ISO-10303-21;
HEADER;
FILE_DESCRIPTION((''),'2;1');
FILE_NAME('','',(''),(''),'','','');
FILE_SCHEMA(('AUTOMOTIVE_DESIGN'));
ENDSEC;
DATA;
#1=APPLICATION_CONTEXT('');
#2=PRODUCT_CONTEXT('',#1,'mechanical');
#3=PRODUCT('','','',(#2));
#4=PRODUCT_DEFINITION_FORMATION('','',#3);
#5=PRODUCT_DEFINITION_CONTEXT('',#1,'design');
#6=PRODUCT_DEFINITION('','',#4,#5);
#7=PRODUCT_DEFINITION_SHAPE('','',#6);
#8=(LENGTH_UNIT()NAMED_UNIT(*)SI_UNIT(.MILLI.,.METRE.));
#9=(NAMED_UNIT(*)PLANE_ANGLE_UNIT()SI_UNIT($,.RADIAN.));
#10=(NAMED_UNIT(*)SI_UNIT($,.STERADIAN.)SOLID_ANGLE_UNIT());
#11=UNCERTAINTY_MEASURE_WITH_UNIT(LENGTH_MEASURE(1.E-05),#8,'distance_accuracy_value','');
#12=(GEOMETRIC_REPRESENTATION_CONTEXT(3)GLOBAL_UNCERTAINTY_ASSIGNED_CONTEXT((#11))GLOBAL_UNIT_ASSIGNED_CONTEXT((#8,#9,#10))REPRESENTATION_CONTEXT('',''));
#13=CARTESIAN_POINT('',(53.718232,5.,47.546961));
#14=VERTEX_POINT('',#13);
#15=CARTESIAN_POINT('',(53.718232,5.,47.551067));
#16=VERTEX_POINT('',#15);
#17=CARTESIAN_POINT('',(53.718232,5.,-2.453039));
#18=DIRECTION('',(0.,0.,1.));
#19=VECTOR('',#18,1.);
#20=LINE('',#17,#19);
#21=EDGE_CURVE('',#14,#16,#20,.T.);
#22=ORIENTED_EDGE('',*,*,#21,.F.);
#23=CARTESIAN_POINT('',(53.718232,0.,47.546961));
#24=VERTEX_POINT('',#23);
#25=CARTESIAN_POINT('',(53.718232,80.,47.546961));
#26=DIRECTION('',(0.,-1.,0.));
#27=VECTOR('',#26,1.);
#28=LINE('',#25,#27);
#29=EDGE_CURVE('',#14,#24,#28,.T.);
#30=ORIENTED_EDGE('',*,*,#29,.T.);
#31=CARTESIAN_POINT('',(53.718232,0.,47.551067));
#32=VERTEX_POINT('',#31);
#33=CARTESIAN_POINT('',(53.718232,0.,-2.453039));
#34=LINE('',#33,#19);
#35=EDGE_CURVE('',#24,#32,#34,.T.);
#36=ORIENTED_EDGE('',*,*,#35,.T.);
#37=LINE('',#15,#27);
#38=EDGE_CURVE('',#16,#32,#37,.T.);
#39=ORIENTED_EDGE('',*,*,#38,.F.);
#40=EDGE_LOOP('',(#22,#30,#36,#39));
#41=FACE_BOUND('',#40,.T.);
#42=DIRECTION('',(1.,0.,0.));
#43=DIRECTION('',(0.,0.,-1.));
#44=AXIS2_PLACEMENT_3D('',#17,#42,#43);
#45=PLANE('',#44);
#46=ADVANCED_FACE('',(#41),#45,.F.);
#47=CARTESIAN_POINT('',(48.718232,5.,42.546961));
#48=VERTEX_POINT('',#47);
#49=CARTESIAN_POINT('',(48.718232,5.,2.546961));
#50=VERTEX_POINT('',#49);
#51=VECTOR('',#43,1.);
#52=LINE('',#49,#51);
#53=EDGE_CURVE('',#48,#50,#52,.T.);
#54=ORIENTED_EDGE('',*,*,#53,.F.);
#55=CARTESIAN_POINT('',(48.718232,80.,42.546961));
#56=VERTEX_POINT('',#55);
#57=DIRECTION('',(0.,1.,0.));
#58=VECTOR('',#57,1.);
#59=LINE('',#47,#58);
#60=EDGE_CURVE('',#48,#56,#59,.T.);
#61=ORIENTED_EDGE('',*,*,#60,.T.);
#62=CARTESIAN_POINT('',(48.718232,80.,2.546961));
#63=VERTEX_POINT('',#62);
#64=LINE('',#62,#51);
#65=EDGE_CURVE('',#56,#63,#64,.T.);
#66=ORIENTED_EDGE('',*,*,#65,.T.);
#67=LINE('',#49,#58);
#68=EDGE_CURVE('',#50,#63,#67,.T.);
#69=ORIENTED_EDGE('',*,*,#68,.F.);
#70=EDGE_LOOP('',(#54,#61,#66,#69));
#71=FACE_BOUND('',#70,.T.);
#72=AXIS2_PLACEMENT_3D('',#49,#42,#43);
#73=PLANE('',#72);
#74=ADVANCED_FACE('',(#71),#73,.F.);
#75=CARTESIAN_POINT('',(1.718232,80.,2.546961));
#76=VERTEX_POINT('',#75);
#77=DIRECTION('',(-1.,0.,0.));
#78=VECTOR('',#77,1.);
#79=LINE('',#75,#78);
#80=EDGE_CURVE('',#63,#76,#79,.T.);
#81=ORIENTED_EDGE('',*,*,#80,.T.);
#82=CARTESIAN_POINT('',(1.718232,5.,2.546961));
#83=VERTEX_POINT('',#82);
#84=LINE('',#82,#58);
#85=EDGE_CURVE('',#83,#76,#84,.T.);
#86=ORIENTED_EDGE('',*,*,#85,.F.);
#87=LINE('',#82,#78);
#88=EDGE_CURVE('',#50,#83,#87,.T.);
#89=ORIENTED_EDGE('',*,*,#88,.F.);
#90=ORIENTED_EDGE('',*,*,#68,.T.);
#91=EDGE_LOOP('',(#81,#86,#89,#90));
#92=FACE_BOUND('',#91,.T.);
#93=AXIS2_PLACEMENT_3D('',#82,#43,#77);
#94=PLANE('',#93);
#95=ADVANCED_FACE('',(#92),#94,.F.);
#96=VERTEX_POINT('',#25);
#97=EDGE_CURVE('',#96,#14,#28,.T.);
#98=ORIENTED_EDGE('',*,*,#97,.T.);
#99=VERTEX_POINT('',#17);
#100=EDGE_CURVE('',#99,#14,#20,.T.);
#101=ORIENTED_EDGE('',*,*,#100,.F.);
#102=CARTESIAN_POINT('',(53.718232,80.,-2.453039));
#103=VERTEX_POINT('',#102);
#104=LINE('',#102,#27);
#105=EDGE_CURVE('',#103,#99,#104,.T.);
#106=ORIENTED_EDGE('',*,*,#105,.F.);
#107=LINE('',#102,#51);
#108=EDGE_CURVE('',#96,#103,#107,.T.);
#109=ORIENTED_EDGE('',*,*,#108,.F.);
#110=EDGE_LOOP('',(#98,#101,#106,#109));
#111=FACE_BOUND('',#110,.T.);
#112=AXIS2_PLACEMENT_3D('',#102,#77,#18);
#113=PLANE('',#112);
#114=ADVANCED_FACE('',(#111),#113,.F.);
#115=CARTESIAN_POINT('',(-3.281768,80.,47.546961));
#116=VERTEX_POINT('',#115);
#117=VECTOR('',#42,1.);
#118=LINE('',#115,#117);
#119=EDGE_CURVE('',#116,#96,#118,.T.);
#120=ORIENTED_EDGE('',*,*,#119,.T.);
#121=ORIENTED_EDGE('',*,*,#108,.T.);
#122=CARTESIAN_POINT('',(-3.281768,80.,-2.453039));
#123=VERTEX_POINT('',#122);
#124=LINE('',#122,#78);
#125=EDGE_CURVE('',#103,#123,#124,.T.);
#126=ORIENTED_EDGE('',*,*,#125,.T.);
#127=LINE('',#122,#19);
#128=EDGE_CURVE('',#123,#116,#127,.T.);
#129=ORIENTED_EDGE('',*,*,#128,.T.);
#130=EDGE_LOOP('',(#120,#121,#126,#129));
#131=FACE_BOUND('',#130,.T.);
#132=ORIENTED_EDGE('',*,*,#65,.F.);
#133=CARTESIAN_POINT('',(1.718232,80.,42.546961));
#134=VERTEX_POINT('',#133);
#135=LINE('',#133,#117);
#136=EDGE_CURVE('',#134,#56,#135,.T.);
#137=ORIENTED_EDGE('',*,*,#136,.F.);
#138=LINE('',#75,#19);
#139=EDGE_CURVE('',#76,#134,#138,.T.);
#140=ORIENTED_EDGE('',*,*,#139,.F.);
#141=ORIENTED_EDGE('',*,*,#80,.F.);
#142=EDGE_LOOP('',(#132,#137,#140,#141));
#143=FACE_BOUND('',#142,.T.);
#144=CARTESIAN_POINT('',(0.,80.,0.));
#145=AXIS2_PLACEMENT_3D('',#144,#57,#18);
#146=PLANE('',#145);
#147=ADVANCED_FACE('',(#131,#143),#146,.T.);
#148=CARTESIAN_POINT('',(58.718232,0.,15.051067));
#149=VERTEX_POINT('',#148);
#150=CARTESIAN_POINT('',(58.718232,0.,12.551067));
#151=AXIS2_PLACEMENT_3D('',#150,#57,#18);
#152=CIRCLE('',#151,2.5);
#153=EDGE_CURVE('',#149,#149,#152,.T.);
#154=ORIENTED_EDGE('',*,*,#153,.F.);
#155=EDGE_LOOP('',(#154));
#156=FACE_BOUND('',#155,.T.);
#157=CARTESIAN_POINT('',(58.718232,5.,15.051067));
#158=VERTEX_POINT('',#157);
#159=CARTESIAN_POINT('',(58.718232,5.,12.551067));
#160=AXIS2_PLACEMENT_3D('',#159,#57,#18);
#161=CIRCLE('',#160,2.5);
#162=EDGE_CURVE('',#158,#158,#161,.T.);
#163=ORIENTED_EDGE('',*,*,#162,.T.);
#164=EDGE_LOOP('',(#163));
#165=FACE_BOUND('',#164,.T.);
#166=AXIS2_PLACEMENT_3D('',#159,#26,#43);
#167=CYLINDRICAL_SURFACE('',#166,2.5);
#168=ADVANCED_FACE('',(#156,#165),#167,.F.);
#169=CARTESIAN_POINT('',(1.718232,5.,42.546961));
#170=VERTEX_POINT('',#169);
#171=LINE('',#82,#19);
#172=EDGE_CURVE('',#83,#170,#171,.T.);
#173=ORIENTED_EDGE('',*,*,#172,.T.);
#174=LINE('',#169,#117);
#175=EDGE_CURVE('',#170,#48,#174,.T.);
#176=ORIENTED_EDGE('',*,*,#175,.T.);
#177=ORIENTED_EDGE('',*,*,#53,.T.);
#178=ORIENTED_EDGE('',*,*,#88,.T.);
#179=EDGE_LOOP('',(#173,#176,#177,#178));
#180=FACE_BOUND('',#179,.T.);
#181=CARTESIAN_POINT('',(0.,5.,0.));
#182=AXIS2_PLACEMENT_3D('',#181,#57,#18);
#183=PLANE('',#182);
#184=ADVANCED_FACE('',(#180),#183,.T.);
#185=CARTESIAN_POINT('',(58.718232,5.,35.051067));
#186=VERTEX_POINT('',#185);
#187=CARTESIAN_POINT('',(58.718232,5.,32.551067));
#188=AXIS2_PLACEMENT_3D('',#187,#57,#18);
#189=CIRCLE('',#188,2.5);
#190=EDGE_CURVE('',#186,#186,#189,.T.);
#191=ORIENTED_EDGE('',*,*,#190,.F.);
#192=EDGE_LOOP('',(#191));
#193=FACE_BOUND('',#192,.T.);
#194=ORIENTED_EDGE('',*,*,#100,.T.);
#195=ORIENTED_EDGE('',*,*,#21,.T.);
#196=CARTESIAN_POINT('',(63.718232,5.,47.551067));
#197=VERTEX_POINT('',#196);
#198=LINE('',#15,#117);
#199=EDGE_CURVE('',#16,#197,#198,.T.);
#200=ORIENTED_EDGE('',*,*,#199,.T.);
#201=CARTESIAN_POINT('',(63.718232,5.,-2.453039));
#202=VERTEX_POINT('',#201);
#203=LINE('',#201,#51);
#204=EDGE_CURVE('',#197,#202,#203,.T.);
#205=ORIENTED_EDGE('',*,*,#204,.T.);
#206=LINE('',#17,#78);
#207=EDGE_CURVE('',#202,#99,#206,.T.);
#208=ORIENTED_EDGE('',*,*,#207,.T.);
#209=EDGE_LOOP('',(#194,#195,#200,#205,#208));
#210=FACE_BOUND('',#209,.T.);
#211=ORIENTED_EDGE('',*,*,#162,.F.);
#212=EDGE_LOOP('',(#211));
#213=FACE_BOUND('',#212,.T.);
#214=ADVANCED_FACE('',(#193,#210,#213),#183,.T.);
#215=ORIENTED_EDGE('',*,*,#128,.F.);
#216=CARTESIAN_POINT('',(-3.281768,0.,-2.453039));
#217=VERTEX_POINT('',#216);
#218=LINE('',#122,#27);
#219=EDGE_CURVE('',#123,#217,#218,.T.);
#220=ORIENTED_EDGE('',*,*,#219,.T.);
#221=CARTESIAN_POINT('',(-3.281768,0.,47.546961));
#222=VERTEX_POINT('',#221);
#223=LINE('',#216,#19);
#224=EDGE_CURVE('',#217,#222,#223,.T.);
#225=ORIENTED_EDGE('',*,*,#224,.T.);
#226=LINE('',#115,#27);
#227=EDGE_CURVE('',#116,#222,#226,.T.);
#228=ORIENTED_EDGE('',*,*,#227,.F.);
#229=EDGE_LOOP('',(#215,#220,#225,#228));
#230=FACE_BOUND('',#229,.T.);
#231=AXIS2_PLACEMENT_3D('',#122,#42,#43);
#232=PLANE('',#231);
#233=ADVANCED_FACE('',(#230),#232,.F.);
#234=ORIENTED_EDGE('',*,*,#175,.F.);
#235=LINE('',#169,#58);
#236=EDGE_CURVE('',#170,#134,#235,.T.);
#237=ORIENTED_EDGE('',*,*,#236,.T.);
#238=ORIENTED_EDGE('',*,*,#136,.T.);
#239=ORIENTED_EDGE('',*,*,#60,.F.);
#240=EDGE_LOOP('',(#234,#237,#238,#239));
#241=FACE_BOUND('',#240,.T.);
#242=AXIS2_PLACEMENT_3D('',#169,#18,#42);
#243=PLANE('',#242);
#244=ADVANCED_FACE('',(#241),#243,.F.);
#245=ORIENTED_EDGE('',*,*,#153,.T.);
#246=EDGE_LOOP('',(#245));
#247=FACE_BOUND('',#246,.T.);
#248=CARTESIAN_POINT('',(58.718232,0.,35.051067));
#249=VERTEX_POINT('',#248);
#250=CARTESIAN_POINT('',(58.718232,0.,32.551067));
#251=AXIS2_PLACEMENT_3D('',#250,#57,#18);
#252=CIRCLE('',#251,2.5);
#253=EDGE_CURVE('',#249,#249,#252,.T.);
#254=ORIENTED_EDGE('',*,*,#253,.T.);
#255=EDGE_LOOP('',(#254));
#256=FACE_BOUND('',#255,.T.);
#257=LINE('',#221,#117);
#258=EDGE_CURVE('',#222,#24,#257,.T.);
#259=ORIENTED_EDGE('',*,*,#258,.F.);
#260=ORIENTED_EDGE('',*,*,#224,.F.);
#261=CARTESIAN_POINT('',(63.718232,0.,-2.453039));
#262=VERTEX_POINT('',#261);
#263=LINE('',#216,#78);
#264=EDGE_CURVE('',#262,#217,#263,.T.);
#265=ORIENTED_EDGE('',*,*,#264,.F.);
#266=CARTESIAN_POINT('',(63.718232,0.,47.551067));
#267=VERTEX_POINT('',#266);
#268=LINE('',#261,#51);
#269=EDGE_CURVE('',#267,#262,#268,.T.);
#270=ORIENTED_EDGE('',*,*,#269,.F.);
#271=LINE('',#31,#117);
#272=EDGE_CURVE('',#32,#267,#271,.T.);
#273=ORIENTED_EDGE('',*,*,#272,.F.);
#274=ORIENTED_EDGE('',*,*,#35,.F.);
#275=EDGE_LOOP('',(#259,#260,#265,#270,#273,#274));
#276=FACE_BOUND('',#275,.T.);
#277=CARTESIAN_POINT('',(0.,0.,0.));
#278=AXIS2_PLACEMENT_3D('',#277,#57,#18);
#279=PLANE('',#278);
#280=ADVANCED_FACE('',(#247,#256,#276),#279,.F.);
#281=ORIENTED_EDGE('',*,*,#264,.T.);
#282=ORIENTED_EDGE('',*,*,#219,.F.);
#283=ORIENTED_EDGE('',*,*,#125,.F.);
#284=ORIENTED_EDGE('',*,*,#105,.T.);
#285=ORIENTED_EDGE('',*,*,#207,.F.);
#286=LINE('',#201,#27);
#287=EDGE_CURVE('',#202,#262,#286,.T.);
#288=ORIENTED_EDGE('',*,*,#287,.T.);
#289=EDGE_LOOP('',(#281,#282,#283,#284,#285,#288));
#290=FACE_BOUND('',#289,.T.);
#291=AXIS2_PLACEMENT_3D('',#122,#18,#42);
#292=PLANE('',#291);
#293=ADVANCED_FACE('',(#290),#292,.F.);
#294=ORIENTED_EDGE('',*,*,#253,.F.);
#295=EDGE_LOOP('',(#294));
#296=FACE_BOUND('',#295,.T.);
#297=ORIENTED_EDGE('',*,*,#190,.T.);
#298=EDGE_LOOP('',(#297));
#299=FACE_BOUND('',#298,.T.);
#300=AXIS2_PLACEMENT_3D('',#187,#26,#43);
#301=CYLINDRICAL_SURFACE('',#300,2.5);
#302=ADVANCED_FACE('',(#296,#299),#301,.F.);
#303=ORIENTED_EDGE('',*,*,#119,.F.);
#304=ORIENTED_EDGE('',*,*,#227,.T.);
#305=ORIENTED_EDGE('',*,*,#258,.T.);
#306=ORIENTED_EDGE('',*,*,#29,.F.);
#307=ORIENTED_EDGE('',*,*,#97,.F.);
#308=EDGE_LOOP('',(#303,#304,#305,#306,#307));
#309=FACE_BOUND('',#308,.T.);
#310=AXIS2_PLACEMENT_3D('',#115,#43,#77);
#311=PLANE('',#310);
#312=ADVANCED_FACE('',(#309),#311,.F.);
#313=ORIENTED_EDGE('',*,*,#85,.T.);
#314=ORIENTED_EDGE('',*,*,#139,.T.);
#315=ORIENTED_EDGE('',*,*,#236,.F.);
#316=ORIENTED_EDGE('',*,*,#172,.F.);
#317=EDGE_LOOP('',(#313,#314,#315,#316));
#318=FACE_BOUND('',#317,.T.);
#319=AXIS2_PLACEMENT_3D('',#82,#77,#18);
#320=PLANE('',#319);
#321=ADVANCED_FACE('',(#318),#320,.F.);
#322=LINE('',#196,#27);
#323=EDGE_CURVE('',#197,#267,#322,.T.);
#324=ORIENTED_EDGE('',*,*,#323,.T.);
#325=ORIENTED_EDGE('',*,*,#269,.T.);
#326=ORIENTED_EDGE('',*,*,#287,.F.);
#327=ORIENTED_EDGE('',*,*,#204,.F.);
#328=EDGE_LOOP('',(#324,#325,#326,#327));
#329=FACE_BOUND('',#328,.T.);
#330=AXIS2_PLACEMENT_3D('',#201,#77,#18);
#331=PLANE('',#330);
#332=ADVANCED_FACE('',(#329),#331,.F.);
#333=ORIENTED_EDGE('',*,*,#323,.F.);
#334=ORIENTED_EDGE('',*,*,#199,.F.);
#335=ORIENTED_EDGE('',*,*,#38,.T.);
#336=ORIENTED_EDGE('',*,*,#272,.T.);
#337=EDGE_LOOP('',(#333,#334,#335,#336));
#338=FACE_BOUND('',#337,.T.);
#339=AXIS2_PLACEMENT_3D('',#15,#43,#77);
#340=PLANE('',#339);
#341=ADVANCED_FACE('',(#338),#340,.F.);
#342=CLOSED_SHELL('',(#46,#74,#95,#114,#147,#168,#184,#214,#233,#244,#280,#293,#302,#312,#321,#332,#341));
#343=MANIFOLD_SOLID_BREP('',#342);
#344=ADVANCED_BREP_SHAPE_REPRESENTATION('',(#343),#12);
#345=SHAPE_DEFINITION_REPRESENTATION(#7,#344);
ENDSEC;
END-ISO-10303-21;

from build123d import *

# Parameters (mm, degrees)
SKETCH1_W           = 57
SKETCH1_H           = 50
BOSS_EXTRUDE1_DEPTH = 80
SKETCH2_W           = 47
SKETCH2_H           = 40
CUT_EXTRUDE1_DEPTH  = 75
SKETCH3_W           = 10
SKETCH3_H           = 50.004105979
SKETCH3_R           = 2.5
BOSS_EXTRUDE2_DEPTH = 5


with BuildPart() as part:
    # Sketch1 → Boss-Extrude1 (new body)
    with BuildSketch(Plane(origin=(0, 0, 0), x_dir=(1, 0, 0), z_dir=(0, 1, 0))):
        with Locations((25.218232044, -22.546961326)):
            Rectangle(SKETCH1_W, SKETCH1_H)
    extrude(amount=BOSS_EXTRUDE1_DEPTH)

    # Sketch2 → Cut-Extrude1 (cut)
    with BuildSketch(Plane(origin=(0, 80, 0), x_dir=(1, 0, 0), z_dir=(0, 1, 0))):
        with Locations((25.218232044, -22.546961326)):
            Rectangle(SKETCH2_W, SKETCH2_H)
    extrude(amount=-CUT_EXTRUDE1_DEPTH, mode=Mode.SUBTRACT)

    # Sketch3 → Boss-Extrude2 (add)
    with BuildSketch(Plane(origin=(0, 0, 0), x_dir=(1, 0, 0), z_dir=(0, 1, 0))):
        with Locations((58.718232044, -22.549014316)):
            Rectangle(SKETCH3_W, SKETCH3_H)
        with Locations((58.718232044, -12.551067305)):
            Circle(SKETCH3_R, mode=Mode.SUBTRACT)
        with Locations((58.718232044, -32.551067305)):
            Circle(SKETCH3_R, mode=Mode.SUBTRACT)
    extrude(amount=BOSS_EXTRUDE2_DEPTH)


solid = part.part
